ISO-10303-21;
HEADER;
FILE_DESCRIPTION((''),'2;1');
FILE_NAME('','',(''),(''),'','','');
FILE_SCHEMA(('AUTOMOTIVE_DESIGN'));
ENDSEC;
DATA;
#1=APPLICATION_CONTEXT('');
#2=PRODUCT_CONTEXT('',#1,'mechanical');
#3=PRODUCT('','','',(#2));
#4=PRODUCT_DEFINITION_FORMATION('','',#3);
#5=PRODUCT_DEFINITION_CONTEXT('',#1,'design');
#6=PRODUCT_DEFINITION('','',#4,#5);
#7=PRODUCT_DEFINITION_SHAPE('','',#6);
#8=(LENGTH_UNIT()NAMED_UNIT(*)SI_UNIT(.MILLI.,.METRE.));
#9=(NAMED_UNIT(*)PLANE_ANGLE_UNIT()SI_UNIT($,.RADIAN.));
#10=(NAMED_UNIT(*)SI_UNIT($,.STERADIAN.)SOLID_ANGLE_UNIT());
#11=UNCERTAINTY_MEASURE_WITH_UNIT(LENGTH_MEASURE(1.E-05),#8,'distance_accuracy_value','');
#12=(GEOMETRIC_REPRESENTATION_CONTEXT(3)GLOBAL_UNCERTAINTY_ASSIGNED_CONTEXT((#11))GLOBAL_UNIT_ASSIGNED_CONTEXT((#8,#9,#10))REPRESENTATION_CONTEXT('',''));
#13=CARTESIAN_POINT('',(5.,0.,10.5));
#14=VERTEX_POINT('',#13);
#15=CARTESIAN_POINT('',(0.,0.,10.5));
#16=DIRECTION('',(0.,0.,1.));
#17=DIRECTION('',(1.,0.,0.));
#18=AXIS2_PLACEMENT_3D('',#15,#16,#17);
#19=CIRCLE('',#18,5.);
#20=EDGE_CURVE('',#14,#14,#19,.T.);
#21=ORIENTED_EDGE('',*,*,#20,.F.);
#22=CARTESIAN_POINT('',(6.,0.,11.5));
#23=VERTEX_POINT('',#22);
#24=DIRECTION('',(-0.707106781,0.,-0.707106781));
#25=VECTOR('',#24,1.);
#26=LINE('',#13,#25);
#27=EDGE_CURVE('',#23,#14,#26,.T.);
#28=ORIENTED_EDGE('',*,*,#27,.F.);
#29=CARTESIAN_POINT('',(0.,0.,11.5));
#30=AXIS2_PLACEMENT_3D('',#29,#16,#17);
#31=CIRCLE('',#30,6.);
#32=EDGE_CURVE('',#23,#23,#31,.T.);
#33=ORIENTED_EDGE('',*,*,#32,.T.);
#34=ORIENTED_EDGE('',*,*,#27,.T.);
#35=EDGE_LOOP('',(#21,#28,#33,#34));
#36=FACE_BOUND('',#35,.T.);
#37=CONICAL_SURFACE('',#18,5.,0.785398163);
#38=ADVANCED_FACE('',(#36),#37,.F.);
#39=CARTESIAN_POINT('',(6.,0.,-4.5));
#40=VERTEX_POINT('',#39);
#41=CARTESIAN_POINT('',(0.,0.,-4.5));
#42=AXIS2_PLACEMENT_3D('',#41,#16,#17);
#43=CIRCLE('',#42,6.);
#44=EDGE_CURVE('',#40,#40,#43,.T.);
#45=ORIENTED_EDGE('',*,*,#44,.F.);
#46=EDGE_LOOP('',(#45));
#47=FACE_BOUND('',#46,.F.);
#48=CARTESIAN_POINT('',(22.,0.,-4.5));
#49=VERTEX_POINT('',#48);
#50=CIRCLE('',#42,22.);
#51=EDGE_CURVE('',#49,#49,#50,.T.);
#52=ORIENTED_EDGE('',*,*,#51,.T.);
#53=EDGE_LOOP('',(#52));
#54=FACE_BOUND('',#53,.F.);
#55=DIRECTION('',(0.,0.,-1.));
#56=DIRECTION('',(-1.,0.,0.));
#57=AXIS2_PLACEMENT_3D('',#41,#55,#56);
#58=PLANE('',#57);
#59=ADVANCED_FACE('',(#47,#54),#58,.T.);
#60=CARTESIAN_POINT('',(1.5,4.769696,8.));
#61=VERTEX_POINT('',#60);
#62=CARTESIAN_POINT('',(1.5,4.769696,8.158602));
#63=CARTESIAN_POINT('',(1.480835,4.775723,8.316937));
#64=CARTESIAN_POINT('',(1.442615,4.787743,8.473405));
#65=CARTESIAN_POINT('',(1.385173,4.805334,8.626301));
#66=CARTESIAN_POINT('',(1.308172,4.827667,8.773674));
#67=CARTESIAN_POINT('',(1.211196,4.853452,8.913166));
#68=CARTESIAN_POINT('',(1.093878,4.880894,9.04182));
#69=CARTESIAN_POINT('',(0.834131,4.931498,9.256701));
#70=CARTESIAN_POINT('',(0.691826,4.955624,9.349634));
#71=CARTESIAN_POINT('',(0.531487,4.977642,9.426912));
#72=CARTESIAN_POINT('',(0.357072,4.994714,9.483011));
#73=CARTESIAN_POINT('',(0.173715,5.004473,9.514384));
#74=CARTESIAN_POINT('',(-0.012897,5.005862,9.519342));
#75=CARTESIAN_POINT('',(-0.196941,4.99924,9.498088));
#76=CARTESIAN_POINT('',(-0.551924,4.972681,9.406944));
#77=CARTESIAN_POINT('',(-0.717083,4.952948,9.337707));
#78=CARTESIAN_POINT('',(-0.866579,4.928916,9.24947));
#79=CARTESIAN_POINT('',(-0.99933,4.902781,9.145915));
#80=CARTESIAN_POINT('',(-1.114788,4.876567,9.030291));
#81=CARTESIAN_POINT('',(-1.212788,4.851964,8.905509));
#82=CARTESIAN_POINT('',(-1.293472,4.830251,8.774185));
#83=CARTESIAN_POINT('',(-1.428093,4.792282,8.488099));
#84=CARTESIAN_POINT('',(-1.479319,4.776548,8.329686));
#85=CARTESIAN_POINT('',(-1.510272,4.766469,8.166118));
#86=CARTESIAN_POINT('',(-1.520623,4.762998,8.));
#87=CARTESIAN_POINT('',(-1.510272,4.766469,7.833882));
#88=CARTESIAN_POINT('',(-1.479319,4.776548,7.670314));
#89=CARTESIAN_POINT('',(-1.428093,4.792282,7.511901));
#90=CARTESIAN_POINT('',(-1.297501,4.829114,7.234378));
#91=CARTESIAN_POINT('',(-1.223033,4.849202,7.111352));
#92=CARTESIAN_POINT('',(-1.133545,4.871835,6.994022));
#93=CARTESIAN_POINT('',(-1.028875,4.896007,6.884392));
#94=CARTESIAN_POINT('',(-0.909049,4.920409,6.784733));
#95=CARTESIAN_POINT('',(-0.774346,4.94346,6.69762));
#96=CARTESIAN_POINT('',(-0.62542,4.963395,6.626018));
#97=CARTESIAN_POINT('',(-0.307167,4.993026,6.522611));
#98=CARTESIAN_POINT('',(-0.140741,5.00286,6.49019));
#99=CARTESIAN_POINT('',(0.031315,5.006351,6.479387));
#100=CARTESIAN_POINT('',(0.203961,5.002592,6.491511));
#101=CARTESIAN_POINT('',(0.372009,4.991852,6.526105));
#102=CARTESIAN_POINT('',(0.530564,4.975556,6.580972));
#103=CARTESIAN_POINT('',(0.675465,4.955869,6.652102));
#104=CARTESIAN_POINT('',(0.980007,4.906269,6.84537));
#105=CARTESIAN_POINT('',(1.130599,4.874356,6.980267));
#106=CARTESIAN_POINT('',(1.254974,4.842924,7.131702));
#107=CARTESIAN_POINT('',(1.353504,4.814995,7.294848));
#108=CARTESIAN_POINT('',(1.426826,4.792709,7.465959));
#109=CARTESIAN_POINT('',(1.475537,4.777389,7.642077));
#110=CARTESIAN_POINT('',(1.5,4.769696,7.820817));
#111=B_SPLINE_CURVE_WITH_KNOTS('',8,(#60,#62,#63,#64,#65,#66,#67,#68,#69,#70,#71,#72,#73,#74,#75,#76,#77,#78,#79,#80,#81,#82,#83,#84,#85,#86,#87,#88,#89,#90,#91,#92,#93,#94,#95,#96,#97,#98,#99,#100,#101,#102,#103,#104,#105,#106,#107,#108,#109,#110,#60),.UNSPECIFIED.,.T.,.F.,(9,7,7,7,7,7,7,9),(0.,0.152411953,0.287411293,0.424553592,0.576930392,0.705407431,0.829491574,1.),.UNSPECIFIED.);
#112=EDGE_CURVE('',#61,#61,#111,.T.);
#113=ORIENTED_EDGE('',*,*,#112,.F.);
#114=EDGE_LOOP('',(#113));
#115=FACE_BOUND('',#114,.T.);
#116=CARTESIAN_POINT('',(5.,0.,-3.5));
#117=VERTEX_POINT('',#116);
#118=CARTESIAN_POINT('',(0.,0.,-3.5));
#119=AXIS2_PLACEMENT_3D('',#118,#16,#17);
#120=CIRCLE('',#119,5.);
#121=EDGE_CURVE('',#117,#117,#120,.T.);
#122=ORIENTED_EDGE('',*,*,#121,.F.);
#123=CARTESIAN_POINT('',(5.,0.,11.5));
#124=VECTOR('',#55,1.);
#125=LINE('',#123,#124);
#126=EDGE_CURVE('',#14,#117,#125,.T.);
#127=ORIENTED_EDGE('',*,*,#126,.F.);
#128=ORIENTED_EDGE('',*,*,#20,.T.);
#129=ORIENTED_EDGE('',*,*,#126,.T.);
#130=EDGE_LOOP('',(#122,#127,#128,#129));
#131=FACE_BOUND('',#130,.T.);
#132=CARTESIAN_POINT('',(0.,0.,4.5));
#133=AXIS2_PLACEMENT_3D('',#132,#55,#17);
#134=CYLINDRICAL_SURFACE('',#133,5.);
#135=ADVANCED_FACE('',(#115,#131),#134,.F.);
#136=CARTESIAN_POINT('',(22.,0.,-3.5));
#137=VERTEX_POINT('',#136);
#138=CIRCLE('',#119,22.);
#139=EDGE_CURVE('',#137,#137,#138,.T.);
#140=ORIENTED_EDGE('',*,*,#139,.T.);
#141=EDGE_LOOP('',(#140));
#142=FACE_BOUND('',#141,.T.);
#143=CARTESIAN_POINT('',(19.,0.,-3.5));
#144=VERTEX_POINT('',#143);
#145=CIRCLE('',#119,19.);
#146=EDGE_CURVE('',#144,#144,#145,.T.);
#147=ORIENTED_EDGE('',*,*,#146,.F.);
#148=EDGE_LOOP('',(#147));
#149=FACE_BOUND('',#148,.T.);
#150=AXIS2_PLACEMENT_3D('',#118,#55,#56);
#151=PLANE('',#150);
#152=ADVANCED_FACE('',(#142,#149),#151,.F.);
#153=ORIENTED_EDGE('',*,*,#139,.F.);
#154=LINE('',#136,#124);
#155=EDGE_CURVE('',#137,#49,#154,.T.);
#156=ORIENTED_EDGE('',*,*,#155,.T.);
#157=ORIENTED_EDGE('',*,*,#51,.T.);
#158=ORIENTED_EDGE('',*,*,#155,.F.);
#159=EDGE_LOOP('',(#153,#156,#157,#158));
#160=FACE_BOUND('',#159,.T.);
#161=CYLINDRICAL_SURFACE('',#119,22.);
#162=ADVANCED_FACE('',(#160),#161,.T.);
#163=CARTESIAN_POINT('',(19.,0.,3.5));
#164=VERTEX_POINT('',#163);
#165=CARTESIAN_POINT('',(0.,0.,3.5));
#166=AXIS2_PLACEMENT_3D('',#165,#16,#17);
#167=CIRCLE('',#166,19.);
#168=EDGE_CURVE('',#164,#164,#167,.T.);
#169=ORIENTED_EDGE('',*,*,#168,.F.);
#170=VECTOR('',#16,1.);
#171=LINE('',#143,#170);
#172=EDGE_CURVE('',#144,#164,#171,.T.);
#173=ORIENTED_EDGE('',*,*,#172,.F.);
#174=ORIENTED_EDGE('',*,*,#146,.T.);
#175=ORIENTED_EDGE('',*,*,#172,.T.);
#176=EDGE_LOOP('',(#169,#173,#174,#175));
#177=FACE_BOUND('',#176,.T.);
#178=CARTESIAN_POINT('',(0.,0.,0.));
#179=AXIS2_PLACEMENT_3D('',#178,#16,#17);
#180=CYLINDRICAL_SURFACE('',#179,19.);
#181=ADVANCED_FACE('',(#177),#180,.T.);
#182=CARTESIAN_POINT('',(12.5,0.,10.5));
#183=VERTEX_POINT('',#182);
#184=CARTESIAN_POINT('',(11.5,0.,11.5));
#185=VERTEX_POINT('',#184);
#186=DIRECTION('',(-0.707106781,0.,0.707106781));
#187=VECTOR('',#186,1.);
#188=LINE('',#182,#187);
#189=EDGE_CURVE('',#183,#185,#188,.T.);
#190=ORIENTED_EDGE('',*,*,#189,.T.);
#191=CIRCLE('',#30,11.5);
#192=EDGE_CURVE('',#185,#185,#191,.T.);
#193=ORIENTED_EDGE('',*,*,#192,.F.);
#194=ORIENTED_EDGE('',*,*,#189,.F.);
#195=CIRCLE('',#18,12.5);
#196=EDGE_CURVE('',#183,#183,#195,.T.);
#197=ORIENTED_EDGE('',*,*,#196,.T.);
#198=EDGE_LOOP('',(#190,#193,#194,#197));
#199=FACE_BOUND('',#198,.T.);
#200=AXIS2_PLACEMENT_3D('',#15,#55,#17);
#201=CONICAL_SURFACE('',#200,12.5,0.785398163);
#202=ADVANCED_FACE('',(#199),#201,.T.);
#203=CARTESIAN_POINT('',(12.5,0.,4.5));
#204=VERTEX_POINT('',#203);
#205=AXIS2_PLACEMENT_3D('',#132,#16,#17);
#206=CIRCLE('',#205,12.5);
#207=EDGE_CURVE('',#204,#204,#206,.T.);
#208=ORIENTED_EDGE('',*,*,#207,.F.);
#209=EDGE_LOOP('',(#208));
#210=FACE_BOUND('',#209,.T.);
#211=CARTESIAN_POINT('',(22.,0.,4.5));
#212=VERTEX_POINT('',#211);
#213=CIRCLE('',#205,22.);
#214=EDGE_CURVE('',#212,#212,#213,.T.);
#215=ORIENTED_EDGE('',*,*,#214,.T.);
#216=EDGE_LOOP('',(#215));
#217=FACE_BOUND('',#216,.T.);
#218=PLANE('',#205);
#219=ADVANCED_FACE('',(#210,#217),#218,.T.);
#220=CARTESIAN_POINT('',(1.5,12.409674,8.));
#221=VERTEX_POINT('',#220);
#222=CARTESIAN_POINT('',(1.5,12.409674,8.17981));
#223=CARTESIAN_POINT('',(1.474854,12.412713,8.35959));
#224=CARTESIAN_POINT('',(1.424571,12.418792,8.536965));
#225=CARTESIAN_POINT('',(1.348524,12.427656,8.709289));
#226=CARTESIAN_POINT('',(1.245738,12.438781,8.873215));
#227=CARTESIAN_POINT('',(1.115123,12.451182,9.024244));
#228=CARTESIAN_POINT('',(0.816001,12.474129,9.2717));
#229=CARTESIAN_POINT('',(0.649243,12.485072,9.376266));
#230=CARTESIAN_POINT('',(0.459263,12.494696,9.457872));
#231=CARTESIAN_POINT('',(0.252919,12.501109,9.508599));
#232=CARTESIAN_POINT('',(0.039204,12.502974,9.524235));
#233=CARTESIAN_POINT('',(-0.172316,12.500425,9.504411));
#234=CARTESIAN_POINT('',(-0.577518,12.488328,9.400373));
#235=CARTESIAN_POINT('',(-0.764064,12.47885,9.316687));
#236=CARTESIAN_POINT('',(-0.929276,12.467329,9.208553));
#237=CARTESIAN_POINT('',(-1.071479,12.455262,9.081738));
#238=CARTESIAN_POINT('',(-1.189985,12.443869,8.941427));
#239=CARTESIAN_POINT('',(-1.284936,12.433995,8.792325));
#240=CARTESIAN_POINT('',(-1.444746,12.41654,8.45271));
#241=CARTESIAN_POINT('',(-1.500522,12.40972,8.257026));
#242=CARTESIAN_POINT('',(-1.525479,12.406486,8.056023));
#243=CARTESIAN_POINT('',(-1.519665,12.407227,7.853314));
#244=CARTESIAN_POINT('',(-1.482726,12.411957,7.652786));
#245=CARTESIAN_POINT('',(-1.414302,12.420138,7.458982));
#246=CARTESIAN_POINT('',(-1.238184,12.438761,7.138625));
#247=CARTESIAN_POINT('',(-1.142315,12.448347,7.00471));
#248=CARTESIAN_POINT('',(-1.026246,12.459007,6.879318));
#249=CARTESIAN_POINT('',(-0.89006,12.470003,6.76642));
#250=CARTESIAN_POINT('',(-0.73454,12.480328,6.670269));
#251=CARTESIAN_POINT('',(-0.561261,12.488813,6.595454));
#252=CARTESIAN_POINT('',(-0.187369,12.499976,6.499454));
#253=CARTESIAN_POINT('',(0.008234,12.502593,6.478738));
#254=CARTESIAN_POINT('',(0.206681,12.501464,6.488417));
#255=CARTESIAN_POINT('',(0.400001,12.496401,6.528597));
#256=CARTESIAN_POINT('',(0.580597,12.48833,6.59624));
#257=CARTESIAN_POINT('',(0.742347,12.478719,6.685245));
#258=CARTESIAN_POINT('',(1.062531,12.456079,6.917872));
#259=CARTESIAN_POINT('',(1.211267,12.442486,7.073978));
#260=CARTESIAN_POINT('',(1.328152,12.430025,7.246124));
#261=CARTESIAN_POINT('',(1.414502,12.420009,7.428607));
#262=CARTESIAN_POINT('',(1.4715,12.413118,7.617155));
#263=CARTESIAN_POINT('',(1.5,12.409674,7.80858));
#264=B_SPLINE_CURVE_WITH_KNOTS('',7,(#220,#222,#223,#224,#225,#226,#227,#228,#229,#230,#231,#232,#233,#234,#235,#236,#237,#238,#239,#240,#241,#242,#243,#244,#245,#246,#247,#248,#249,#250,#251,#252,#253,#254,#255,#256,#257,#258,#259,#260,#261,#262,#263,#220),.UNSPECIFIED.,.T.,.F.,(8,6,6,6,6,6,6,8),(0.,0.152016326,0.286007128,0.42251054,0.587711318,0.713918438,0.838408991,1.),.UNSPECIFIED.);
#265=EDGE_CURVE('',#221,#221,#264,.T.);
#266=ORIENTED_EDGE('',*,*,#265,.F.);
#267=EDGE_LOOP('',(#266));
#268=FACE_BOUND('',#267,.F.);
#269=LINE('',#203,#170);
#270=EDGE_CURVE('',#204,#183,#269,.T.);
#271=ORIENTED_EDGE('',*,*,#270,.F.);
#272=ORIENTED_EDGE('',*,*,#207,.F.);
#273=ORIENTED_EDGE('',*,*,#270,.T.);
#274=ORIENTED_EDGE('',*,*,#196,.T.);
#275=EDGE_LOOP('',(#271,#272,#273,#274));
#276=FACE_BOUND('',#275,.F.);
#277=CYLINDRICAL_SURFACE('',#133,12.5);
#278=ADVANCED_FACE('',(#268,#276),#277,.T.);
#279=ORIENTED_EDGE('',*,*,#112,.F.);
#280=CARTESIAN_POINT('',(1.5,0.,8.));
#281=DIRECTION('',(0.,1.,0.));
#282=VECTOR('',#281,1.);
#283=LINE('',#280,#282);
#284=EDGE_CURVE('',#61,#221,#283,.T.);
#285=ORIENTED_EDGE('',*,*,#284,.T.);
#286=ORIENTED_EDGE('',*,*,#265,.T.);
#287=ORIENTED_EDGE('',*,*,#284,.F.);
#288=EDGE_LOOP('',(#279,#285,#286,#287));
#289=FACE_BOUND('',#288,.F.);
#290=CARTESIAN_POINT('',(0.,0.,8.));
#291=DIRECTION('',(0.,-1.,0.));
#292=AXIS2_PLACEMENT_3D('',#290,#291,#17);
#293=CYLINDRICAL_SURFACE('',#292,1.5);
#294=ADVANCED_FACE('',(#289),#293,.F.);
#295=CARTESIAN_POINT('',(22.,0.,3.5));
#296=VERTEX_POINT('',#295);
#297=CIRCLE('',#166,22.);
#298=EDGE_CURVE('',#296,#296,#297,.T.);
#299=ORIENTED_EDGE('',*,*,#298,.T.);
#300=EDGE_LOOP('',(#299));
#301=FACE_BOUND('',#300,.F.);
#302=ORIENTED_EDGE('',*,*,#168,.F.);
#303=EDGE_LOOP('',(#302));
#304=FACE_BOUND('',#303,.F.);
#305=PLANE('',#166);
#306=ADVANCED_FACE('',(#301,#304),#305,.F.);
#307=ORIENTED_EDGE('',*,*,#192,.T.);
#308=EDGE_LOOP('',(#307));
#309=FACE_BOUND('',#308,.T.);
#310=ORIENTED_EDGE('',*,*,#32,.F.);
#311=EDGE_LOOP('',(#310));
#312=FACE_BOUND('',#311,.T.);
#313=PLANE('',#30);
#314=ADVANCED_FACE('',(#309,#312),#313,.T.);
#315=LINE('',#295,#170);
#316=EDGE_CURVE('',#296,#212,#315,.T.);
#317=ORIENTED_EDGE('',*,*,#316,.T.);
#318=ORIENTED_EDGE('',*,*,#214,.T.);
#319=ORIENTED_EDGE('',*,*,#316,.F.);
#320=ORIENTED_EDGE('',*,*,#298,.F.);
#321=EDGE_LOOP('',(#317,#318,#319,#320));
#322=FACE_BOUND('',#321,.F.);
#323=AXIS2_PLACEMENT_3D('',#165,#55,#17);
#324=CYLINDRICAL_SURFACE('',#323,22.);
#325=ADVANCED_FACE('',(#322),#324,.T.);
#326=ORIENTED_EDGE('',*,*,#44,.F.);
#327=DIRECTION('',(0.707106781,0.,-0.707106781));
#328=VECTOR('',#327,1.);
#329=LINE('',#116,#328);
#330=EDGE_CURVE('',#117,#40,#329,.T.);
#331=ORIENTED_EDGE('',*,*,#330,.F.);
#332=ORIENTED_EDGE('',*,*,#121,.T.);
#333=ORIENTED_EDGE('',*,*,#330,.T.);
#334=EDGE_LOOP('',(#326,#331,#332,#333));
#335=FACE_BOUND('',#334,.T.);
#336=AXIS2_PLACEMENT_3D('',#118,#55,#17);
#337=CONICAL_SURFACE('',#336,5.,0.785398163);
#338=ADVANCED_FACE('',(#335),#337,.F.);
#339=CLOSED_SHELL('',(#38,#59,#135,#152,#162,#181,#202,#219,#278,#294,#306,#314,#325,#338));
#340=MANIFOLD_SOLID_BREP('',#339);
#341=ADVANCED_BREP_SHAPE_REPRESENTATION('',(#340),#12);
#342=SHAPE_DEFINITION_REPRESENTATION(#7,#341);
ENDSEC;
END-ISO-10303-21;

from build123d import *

# Parameters (mm, degrees)
F0_R     = 19
F0_R_2   = 5
F1_DEPTH = 3.5
F2_R     = 22
F2_R_2   = 5
F3_DEPTH = 1
F5_R     = 12.5
F5_R_2   = 5
F6_DEPTH = 7
F7_SIZE  = 1
F8_R     = 1.5
F9_DEPTH = 22.001


with BuildPart() as f1:
    # F0 (on Top) → F1 (new body, symmetric)
    with BuildSketch(Plane.XY):
        Circle(F0_R)
        Circle(F0_R_2, mode=Mode.SUBTRACT)
    extrude(amount=F1_DEPTH, both=True)

    # F2 (on face) → F3 (join)
    with BuildSketch(Plane.XY.offset(3.5)):
        Circle(F2_R)
        Circle(F2_R_2, mode=Mode.SUBTRACT)
    extrude(amount=F3_DEPTH)

    # F4: F1 across plane


with BuildPart() as f1_1:
    add(f1.part)
    add(f1.part.mirror(Plane.XY))

    # F5 (on face) → F6 (join)
    with BuildSketch(Plane.XY.offset(4.5)):
        Circle(F5_R)
        Circle(F5_R_2, mode=Mode.SUBTRACT)
    extrude(amount=F6_DEPTH)

    # F7
    f7_edges = [f1_1.edges().sort_by_distance(p)[0] for p in [
        (-12.5, 0, 11.5),
        (-5, 0, 11.5),
        (-5, 0, -4.5),
    ]]
    chamfer(f7_edges, length=F7_SIZE)

    # F8 (on Front) → F9 (cut, through all)
    with BuildSketch(Plane.XZ):
        with Locations((0, 8)):
            Circle(F8_R)
    extrude(amount=-F9_DEPTH, mode=Mode.SUBTRACT)


solid = f1_1.part
